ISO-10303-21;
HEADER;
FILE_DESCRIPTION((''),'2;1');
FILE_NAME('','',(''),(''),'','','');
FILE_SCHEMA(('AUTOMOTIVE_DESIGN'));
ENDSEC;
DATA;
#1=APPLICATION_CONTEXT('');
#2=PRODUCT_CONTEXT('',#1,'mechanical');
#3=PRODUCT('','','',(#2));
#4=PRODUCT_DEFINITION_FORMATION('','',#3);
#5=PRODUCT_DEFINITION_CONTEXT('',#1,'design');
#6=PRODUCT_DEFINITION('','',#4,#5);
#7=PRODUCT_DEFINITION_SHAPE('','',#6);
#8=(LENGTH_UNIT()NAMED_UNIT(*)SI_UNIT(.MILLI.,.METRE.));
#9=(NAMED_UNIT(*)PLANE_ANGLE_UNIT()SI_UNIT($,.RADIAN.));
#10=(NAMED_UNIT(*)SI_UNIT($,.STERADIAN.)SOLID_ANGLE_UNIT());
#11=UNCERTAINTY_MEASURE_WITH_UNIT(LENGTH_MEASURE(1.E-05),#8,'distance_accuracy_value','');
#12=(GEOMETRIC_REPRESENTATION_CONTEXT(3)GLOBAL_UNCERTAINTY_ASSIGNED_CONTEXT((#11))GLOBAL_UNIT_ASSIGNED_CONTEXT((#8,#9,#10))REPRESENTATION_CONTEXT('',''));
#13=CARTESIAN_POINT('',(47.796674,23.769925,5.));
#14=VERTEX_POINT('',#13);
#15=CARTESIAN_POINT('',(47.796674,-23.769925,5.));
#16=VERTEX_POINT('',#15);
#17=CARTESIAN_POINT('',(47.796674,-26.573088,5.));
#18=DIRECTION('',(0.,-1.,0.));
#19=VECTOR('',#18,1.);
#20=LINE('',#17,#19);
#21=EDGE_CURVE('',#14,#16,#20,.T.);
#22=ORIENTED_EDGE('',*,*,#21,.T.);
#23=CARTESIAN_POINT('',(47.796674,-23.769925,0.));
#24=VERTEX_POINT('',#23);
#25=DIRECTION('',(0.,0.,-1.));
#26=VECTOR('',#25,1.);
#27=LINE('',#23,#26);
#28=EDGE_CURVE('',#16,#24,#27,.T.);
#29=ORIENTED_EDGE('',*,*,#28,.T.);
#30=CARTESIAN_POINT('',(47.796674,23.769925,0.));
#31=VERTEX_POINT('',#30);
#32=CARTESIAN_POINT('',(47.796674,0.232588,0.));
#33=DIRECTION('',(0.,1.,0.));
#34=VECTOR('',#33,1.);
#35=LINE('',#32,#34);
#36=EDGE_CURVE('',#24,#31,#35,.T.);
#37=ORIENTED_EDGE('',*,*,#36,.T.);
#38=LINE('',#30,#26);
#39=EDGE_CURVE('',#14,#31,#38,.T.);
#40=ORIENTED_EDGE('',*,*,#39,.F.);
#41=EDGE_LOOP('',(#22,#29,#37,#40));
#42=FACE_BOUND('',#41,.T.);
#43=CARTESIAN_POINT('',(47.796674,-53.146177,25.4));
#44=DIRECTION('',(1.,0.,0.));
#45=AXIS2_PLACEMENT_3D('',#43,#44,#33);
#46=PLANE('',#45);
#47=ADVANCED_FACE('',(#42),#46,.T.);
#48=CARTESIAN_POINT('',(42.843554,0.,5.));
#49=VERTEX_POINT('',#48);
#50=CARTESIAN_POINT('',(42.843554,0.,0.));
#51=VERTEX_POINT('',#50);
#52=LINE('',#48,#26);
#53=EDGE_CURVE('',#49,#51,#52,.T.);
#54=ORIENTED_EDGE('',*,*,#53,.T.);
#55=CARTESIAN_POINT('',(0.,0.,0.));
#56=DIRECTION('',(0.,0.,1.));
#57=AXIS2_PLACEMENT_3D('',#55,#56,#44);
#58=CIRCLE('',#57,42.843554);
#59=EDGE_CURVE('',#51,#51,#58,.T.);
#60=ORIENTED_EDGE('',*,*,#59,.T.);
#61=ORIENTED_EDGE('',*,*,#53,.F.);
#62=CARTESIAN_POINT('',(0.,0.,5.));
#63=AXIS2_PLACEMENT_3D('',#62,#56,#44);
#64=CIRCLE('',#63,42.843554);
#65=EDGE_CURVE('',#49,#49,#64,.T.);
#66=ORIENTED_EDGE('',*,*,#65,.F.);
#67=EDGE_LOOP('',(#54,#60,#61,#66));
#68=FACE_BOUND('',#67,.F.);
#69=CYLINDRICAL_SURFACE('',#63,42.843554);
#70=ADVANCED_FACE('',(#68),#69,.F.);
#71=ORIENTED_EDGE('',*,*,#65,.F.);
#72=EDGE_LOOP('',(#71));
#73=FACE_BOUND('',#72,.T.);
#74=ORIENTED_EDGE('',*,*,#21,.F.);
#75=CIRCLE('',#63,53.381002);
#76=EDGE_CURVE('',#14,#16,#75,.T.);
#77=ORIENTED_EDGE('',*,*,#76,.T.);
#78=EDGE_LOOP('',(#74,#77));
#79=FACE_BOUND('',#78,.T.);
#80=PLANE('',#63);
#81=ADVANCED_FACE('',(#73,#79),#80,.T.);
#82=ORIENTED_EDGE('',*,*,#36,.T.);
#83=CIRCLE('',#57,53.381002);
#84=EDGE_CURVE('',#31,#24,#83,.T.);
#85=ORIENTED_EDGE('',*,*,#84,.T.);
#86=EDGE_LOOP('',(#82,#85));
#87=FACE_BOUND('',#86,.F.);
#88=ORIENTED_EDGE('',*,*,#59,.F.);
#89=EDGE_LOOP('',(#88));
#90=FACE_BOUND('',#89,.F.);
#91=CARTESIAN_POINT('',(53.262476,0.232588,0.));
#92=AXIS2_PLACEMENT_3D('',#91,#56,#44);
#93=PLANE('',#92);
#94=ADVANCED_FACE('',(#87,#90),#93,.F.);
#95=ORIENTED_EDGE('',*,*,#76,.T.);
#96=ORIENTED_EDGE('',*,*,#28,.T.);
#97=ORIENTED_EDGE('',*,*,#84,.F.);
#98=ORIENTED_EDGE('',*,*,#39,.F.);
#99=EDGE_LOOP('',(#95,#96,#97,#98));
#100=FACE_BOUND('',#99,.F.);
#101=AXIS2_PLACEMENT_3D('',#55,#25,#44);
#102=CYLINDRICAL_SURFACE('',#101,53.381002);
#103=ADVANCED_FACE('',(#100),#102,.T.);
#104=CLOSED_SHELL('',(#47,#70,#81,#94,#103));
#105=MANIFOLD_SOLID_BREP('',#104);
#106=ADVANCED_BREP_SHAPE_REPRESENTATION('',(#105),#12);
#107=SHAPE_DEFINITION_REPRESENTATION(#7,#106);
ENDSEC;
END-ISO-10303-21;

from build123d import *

# Parameters (mm, degrees)
F0_R      = 53.381002
F1_DEPTH  = 5
F2_R      = 42.843554
F3_DEPTH  = 5
F4_W      = 10.931604
F4_H      = 106.757529
F5_DEPTH  = 25.4
F5_FACE_W = 10.931604
F5_FACE_H = 106.75753
F6_DEPTH  = 25.4


with BuildPart() as f1:
    # F0 (on Top) → F1 (new body)
    with BuildSketch(Plane.XY):
        Circle(F0_R)
    extrude(amount=F1_DEPTH)

    # F2 (on face) → F3 (cut)
    with BuildSketch(Plane.XY.offset(5)):
        Circle(F2_R)
    extrude(amount=-F3_DEPTH, mode=Mode.SUBTRACT)

    # F4 (on Top) → F5 (join)
    with BuildSketch(Plane.XY):
        with Locations((53.262476, 0.232588)):
            Rectangle(F4_W, F4_H)
    extrude(amount=F5_DEPTH)

    # F5_face (on face) → F6 (cut)
    with BuildSketch(Plane(origin=(53.262476, 0.232588, 25.4), x_dir=(1, 0, 0), z_dir=(0, 0, 1))):
        Rectangle(F5_FACE_W, F5_FACE_H)
    extrude(amount=-F6_DEPTH, mode=Mode.SUBTRACT)


solid = f1.part
